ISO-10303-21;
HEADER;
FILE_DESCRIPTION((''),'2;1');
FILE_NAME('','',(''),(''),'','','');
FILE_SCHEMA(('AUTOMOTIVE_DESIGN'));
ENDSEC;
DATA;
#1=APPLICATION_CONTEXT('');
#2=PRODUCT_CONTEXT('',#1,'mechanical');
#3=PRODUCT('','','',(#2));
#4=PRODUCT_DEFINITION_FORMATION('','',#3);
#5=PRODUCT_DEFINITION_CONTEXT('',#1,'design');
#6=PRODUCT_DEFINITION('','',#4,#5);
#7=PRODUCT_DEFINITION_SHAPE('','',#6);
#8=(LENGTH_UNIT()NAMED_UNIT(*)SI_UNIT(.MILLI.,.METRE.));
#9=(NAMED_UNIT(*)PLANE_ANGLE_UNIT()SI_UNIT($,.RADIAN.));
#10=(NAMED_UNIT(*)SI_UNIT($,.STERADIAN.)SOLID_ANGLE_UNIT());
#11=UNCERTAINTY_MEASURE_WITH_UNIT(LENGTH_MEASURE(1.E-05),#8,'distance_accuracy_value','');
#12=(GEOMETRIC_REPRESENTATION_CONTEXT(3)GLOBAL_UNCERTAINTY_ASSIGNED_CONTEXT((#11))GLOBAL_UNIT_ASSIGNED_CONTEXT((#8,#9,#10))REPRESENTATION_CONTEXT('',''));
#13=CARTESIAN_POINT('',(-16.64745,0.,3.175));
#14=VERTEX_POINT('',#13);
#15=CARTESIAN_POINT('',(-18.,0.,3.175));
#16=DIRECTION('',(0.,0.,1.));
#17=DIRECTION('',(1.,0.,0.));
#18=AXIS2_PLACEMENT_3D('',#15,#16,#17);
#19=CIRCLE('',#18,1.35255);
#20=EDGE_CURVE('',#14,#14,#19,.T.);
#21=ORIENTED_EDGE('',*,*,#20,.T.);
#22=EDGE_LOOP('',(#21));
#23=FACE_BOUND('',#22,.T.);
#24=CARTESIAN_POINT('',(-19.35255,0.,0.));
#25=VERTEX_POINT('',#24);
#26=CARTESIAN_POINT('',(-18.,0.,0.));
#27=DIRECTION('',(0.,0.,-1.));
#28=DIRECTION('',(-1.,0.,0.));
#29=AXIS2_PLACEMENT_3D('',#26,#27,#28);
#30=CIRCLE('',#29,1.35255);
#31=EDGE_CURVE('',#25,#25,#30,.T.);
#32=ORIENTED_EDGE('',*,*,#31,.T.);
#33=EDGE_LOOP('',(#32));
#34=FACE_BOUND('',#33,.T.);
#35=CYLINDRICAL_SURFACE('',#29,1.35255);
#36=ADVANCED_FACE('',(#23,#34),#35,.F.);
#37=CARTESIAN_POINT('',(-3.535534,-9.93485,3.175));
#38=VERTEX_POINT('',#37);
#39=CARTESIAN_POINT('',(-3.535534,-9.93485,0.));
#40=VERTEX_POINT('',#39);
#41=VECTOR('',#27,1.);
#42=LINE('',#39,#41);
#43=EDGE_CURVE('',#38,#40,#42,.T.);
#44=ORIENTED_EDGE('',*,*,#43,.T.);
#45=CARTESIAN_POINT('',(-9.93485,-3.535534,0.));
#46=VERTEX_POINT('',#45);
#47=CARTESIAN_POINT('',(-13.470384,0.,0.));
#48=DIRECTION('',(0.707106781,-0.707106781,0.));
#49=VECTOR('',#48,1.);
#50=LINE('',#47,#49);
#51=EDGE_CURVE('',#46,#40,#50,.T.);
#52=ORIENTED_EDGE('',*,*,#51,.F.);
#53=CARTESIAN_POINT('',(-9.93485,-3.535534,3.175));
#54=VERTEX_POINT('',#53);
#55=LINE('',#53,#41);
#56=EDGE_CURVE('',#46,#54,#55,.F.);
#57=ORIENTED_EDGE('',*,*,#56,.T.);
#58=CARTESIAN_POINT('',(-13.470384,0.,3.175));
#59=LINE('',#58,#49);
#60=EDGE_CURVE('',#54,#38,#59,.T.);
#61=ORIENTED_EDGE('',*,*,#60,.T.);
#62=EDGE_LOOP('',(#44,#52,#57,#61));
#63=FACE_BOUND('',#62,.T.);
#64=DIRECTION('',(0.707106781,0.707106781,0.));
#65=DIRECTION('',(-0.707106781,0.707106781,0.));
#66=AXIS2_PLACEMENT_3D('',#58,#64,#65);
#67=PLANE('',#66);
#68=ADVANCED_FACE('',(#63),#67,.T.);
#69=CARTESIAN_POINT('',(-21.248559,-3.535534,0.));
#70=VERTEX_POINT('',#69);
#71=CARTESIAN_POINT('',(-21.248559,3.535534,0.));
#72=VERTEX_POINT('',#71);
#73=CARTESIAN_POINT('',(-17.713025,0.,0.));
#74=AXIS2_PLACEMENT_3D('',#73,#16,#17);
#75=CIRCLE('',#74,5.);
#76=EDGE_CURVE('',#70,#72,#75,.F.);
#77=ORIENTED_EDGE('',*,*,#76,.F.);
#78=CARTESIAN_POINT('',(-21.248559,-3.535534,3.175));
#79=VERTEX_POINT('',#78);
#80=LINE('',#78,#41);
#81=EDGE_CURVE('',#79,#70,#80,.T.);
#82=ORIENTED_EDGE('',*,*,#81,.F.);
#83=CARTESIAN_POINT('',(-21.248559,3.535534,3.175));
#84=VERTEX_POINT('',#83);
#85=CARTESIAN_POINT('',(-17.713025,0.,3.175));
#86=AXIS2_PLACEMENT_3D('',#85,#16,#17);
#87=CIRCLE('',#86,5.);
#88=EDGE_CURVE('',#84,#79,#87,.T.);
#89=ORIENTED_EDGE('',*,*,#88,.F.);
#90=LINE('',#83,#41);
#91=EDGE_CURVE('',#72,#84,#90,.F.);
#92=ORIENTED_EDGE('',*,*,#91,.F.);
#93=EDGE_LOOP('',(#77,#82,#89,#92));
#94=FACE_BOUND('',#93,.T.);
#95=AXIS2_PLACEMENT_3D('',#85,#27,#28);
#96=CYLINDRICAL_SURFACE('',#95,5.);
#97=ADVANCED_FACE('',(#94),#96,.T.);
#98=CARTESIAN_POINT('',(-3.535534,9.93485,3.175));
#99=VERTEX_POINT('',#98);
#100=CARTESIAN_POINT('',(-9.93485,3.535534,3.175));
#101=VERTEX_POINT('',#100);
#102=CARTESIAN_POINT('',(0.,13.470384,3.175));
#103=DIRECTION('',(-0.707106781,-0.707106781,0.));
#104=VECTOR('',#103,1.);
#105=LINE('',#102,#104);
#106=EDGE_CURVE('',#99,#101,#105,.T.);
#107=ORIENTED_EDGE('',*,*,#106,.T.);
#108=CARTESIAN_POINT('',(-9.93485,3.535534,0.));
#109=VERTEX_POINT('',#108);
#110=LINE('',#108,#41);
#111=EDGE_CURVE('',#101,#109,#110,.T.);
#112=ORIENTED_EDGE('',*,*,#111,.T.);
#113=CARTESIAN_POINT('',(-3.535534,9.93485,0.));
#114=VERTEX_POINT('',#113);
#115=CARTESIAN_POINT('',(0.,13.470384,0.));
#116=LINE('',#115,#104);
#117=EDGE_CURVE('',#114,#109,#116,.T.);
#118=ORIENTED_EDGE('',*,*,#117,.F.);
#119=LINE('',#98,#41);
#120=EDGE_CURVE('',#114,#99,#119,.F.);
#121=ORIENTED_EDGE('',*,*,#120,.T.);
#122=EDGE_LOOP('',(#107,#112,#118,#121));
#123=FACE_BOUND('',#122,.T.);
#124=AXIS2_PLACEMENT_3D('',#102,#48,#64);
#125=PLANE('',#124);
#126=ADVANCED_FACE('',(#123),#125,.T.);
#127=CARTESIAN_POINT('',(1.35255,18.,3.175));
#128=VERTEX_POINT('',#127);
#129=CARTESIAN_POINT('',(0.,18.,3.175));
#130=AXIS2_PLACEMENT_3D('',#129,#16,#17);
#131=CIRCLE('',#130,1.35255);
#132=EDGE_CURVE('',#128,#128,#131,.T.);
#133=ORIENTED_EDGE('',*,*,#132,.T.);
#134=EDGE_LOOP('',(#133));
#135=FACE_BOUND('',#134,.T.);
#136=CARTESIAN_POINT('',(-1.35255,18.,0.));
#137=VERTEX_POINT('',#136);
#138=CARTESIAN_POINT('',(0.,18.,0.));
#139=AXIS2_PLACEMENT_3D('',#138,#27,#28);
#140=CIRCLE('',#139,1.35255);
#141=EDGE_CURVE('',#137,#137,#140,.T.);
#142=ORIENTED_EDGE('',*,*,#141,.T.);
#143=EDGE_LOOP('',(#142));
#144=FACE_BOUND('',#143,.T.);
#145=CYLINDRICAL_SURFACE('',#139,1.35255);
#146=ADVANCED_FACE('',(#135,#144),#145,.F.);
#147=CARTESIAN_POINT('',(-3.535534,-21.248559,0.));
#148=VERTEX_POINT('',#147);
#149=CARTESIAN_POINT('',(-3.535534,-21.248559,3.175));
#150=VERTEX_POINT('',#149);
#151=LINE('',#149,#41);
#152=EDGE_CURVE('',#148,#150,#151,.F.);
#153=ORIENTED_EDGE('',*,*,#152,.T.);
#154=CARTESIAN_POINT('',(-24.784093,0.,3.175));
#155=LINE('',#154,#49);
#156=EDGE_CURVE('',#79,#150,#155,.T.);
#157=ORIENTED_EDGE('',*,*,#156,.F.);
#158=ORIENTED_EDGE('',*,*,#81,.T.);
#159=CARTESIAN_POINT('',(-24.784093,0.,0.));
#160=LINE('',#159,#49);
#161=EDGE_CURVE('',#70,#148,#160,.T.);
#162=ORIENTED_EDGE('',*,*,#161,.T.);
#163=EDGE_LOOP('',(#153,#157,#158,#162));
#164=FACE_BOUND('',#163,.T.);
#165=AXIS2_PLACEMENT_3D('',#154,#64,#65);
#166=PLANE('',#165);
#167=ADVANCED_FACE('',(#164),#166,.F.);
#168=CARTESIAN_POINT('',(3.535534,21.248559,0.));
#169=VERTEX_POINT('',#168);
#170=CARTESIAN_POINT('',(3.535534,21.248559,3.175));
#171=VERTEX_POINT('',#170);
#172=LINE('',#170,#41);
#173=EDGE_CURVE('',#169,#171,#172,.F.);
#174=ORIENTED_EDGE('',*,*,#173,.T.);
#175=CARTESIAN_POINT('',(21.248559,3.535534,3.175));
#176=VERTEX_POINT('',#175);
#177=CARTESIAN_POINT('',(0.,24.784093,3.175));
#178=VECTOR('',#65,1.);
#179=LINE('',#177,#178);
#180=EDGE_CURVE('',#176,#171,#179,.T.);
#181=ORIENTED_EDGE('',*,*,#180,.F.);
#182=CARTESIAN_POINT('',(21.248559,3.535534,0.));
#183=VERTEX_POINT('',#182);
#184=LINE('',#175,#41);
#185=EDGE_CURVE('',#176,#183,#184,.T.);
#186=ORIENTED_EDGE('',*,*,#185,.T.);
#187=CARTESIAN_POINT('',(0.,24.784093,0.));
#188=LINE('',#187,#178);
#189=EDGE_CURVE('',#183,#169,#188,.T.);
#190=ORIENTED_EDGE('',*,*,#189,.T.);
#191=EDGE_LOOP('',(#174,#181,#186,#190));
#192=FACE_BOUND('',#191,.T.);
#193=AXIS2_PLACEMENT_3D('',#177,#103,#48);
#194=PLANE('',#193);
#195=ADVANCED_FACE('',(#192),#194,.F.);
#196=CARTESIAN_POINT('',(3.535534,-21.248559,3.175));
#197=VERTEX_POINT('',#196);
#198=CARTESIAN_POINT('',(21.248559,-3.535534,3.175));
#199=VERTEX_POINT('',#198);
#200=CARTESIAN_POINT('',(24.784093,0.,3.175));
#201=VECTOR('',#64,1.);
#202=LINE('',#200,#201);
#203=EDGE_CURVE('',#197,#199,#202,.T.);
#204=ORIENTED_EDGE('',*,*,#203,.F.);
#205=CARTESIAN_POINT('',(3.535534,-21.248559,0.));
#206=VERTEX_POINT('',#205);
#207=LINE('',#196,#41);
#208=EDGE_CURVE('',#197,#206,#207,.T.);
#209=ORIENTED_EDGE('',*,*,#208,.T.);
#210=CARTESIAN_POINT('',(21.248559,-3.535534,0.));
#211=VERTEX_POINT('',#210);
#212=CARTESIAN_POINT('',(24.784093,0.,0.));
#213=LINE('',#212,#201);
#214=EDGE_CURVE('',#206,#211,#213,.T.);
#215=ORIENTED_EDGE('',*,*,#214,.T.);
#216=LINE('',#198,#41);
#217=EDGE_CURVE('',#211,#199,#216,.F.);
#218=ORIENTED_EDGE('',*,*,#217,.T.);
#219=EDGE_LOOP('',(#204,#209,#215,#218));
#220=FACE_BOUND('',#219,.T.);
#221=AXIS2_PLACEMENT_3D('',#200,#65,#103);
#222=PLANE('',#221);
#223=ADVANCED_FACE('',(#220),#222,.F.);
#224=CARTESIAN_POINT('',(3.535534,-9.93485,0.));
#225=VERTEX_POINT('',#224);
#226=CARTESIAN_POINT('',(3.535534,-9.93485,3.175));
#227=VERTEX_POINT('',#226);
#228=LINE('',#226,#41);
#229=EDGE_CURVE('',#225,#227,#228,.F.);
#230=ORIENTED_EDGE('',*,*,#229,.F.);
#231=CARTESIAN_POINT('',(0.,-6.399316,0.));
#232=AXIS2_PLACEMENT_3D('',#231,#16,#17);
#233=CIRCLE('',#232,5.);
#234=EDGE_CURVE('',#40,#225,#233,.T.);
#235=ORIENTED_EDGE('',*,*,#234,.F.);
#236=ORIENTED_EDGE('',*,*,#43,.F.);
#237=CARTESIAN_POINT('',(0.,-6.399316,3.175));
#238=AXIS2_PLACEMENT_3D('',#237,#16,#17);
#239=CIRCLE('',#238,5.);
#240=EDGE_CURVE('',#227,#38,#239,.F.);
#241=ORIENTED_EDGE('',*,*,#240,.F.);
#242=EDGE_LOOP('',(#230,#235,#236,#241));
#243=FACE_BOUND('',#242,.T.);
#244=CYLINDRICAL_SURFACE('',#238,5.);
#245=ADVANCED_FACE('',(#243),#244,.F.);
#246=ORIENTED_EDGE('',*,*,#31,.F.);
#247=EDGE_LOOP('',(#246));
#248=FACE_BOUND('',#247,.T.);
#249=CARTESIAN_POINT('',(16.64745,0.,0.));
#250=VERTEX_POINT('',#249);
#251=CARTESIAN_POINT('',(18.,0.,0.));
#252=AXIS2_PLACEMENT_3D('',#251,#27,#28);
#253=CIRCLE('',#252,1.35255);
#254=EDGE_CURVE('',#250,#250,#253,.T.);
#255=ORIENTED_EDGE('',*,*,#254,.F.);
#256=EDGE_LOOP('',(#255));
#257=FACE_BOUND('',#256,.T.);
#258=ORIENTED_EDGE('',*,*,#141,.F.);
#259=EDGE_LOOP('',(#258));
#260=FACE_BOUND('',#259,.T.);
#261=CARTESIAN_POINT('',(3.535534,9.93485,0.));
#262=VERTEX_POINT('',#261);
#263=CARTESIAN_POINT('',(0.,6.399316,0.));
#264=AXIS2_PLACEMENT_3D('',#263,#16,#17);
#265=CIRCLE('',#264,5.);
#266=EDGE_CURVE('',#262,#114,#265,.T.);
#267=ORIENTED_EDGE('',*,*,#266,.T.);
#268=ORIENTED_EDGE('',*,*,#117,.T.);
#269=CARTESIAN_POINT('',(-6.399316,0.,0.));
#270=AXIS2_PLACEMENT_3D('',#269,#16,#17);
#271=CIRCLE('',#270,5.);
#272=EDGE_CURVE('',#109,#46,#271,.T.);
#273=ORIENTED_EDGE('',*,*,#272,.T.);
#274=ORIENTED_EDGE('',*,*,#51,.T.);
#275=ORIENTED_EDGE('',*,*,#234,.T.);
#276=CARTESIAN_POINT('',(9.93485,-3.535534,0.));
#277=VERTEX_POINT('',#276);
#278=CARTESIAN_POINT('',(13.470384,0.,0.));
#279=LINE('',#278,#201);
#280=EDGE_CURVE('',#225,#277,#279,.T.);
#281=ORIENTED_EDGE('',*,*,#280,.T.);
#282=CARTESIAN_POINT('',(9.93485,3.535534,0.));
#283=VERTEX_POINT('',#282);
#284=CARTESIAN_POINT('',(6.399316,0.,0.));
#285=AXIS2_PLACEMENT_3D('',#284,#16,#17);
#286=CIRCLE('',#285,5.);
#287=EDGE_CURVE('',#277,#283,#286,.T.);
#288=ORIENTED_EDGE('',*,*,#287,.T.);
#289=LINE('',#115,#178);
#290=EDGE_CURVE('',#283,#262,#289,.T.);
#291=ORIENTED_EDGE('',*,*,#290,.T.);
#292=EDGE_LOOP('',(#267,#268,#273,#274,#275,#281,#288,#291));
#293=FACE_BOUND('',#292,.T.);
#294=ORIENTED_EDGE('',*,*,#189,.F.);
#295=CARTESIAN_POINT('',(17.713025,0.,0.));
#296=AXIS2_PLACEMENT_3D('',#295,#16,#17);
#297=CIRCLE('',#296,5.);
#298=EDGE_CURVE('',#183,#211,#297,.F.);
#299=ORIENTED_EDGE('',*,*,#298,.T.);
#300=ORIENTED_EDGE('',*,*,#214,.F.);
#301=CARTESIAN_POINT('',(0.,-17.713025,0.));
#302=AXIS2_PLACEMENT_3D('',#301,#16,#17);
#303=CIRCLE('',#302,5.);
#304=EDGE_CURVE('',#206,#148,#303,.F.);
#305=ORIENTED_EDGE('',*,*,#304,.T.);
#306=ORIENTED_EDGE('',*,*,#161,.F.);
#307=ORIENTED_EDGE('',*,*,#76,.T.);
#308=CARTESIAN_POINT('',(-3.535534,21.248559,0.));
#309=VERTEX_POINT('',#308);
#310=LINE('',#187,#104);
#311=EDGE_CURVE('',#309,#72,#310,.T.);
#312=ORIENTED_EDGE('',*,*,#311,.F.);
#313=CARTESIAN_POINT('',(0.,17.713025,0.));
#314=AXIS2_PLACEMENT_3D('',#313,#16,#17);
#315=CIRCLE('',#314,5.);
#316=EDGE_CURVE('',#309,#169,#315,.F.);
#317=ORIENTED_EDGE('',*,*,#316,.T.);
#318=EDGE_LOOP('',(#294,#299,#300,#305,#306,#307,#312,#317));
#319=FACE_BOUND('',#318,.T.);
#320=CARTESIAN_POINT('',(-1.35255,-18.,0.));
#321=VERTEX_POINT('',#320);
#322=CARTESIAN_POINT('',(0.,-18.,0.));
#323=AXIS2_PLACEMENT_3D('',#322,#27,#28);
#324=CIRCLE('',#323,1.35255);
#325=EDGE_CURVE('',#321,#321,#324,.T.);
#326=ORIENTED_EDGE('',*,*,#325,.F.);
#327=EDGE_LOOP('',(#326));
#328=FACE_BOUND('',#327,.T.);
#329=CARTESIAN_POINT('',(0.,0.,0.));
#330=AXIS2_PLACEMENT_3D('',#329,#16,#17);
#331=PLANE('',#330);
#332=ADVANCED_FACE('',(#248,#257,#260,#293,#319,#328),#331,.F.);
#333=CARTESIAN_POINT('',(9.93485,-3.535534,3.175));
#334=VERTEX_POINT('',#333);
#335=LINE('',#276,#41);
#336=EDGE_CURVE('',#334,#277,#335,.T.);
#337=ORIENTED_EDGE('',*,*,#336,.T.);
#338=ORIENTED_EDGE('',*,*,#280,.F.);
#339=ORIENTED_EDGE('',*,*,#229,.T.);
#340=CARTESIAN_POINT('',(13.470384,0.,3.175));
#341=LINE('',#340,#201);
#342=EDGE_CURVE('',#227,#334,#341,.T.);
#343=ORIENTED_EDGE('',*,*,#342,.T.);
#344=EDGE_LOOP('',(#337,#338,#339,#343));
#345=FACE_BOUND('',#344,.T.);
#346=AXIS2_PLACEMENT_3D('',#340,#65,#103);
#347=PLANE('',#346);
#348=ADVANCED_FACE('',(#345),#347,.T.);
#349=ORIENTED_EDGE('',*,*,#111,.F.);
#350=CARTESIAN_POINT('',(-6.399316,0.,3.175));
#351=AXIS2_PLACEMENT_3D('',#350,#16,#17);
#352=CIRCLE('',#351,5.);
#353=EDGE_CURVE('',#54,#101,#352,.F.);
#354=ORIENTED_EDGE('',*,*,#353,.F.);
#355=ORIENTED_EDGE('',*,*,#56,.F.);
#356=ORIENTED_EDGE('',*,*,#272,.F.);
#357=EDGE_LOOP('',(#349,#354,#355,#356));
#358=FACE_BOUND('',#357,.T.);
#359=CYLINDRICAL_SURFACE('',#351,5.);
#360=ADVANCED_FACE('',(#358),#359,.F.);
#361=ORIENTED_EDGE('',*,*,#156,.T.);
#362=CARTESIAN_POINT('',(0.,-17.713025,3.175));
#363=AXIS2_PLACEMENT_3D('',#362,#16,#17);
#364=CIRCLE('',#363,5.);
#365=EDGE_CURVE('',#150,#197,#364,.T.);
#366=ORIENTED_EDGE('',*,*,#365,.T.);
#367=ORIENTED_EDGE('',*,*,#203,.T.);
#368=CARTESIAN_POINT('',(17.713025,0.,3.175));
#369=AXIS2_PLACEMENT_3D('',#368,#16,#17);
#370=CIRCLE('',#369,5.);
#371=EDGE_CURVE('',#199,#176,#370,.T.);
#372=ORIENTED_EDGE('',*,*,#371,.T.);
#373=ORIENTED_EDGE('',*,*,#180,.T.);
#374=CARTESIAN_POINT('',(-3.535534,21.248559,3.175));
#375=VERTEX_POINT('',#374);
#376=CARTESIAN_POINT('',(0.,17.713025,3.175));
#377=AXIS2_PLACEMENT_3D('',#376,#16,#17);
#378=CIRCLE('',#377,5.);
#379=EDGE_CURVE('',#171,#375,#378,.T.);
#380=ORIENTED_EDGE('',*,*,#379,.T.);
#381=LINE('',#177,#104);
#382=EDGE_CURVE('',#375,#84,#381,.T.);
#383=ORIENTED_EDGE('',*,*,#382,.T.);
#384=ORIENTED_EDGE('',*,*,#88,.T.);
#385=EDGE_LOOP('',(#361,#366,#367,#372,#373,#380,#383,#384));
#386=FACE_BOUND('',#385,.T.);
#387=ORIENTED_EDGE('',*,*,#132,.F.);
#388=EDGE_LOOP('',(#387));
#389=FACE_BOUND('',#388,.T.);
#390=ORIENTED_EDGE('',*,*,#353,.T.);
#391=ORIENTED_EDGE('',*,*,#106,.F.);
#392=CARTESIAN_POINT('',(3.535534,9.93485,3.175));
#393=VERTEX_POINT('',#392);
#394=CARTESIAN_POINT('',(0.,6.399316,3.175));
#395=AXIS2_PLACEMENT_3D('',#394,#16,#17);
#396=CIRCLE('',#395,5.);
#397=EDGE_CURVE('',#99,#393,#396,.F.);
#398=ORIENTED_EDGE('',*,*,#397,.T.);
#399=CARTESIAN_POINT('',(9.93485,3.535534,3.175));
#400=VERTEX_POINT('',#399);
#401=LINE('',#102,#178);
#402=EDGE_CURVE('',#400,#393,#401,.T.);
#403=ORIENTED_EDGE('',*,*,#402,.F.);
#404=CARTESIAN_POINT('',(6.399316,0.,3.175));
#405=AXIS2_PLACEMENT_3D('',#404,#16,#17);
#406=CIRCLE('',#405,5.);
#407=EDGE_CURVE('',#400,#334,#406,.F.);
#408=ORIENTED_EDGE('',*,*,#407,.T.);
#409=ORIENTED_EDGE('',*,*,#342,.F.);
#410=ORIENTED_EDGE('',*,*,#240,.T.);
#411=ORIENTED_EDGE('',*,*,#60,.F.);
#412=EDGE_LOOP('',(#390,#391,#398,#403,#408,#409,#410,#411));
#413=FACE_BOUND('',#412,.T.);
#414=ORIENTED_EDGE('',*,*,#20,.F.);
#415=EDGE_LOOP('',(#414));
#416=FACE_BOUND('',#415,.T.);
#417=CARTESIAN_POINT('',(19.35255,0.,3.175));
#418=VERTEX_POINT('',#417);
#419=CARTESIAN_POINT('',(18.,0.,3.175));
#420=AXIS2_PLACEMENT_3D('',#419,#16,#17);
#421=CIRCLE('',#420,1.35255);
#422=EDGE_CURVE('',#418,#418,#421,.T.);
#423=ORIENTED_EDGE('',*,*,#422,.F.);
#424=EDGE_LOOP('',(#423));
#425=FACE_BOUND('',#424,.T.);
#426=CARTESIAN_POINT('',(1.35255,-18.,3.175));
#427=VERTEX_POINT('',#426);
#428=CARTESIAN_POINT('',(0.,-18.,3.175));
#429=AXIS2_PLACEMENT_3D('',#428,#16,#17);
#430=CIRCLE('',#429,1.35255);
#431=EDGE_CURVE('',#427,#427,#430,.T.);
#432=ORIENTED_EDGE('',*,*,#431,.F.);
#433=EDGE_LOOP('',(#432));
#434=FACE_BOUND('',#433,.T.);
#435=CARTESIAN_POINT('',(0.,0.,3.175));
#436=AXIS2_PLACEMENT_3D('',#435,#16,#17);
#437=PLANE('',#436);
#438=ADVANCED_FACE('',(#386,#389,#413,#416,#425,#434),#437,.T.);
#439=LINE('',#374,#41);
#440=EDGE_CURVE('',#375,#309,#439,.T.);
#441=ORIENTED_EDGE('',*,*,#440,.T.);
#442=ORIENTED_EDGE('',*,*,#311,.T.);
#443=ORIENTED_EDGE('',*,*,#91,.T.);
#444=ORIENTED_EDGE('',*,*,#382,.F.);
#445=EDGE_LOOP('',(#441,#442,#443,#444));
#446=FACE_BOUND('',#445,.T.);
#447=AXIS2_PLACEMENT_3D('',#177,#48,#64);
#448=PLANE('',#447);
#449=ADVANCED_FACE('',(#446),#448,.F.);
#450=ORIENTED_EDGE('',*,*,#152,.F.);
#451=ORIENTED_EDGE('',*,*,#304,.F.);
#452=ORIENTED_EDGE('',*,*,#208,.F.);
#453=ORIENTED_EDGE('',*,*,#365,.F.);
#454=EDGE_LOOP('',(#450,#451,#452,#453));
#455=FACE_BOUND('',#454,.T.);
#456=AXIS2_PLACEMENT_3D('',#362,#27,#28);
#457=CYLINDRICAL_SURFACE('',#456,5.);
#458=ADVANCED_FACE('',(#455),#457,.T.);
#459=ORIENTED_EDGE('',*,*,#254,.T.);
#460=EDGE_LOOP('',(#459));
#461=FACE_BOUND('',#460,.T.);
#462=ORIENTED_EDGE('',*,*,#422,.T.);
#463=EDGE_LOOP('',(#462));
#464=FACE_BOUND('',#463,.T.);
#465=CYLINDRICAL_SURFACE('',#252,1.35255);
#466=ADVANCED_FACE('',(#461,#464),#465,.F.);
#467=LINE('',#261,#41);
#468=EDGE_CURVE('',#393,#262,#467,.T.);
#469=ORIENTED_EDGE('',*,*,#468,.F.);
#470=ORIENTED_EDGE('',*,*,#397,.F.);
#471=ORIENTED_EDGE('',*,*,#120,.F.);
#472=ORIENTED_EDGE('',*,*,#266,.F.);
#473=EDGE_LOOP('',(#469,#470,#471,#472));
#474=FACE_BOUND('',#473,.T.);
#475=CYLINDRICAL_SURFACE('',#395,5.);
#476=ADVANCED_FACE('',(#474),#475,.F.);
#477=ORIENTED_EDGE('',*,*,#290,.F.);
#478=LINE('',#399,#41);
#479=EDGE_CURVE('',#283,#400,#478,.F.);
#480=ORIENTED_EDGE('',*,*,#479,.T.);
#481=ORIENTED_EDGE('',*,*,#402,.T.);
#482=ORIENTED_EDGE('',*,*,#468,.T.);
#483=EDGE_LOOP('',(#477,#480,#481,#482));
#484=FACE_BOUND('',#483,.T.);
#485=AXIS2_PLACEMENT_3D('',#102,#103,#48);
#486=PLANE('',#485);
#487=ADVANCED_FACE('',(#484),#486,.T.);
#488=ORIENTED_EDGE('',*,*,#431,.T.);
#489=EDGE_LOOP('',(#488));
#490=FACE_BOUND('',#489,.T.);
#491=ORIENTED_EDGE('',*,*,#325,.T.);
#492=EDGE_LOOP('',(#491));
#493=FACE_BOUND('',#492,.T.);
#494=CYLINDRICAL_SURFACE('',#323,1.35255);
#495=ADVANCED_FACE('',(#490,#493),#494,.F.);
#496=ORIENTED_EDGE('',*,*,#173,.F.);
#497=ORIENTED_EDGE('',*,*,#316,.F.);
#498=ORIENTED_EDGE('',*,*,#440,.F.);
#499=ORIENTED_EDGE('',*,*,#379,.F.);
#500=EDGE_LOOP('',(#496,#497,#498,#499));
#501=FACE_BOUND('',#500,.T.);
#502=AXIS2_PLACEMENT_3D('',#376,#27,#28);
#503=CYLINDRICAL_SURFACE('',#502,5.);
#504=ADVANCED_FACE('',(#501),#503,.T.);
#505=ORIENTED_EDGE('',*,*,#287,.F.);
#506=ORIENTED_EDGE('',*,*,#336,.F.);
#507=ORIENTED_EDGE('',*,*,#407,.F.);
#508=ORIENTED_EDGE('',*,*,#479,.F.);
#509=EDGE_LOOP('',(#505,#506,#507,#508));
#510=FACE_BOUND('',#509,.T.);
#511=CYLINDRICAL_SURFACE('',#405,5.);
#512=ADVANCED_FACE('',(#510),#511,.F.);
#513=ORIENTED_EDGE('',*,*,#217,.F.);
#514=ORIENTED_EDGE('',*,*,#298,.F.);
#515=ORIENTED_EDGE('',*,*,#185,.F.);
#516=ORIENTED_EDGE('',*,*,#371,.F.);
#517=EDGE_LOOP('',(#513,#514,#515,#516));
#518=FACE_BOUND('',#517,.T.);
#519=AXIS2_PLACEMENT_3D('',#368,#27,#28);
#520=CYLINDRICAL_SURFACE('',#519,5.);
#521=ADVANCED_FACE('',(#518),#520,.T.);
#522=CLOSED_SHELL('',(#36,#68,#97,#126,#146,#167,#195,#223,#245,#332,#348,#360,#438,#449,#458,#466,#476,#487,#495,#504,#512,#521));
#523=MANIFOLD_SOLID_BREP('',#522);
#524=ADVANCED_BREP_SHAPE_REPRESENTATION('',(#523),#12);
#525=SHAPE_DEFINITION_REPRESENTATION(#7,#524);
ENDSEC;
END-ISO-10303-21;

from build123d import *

# Parameters (mm, degrees)
BOSS_EXTRUDE1_DEPTH       = 3.175
FILLET1_R                 = 5
F_6_32_TAPPED_HOLE1_D     = 2.7051
F_6_32_TAPPED_HOLE1_DEPTH = 10.973
F_6_32_TAPPED_HOLE1_TIP   = 0.81269403
FILLET2_R                 = 5


with BuildPart() as part:
    # Sketch2 → Boss-Extrude1 (new body)
    with BuildSketch(Plane.XY):
        Polygon((0, 24.784092681), (24.784092681, 0), (0, -24.784092681), (-24.784092681, 0), align=None)
        Polygon((0, 13.470384182), (13.470384182, 0), (0, -13.470384182), (-13.470384182, 0), align=None, mode=Mode.SUBTRACT)
    extrude(amount=BOSS_EXTRUDE1_DEPTH)

    # Fillet1
    fillet1_edges = [part.edges().sort_by_distance(p)[0] for p in [
        (0, 13.470384182, 1.5875),
        (-13.470384182, 0, 1.5875),
        (0, -13.470384182, 1.5875),
        (13.470384182, 0, 1.5875),
    ]]
    fillet(fillet1_edges, radius=FILLET1_R)

    # #6-32 Tapped Hole1
    with Locations(Plane(origin=(0, 0, 0), x_dir=(-1, 0, 0), z_dir=(0, 0, -1))):
        with Locations((-18, 0), (0, 18), (0, -18), (18, 0)):
            Hole(F_6_32_TAPPED_HOLE1_D / 2, depth=F_6_32_TAPPED_HOLE1_DEPTH)
            with Locations((0, 0, -(F_6_32_TAPPED_HOLE1_DEPTH + F_6_32_TAPPED_HOLE1_TIP / 2))):  # 118° drill point
                Cone(0, F_6_32_TAPPED_HOLE1_D / 2, F_6_32_TAPPED_HOLE1_TIP, mode=Mode.SUBTRACT)

    # Fillet2
    fillet2_edges = [part.edges().sort_by_distance(p)[0] for p in [
        (0, 24.784092681, 1.5875),
        (24.784092681, 0, 1.5875),
        (0, -24.784092681, 1.5875),
        (-24.784092681, 0, 1.5875),
    ]]
    fillet(fillet2_edges, radius=FILLET2_R)


solid = part.part
